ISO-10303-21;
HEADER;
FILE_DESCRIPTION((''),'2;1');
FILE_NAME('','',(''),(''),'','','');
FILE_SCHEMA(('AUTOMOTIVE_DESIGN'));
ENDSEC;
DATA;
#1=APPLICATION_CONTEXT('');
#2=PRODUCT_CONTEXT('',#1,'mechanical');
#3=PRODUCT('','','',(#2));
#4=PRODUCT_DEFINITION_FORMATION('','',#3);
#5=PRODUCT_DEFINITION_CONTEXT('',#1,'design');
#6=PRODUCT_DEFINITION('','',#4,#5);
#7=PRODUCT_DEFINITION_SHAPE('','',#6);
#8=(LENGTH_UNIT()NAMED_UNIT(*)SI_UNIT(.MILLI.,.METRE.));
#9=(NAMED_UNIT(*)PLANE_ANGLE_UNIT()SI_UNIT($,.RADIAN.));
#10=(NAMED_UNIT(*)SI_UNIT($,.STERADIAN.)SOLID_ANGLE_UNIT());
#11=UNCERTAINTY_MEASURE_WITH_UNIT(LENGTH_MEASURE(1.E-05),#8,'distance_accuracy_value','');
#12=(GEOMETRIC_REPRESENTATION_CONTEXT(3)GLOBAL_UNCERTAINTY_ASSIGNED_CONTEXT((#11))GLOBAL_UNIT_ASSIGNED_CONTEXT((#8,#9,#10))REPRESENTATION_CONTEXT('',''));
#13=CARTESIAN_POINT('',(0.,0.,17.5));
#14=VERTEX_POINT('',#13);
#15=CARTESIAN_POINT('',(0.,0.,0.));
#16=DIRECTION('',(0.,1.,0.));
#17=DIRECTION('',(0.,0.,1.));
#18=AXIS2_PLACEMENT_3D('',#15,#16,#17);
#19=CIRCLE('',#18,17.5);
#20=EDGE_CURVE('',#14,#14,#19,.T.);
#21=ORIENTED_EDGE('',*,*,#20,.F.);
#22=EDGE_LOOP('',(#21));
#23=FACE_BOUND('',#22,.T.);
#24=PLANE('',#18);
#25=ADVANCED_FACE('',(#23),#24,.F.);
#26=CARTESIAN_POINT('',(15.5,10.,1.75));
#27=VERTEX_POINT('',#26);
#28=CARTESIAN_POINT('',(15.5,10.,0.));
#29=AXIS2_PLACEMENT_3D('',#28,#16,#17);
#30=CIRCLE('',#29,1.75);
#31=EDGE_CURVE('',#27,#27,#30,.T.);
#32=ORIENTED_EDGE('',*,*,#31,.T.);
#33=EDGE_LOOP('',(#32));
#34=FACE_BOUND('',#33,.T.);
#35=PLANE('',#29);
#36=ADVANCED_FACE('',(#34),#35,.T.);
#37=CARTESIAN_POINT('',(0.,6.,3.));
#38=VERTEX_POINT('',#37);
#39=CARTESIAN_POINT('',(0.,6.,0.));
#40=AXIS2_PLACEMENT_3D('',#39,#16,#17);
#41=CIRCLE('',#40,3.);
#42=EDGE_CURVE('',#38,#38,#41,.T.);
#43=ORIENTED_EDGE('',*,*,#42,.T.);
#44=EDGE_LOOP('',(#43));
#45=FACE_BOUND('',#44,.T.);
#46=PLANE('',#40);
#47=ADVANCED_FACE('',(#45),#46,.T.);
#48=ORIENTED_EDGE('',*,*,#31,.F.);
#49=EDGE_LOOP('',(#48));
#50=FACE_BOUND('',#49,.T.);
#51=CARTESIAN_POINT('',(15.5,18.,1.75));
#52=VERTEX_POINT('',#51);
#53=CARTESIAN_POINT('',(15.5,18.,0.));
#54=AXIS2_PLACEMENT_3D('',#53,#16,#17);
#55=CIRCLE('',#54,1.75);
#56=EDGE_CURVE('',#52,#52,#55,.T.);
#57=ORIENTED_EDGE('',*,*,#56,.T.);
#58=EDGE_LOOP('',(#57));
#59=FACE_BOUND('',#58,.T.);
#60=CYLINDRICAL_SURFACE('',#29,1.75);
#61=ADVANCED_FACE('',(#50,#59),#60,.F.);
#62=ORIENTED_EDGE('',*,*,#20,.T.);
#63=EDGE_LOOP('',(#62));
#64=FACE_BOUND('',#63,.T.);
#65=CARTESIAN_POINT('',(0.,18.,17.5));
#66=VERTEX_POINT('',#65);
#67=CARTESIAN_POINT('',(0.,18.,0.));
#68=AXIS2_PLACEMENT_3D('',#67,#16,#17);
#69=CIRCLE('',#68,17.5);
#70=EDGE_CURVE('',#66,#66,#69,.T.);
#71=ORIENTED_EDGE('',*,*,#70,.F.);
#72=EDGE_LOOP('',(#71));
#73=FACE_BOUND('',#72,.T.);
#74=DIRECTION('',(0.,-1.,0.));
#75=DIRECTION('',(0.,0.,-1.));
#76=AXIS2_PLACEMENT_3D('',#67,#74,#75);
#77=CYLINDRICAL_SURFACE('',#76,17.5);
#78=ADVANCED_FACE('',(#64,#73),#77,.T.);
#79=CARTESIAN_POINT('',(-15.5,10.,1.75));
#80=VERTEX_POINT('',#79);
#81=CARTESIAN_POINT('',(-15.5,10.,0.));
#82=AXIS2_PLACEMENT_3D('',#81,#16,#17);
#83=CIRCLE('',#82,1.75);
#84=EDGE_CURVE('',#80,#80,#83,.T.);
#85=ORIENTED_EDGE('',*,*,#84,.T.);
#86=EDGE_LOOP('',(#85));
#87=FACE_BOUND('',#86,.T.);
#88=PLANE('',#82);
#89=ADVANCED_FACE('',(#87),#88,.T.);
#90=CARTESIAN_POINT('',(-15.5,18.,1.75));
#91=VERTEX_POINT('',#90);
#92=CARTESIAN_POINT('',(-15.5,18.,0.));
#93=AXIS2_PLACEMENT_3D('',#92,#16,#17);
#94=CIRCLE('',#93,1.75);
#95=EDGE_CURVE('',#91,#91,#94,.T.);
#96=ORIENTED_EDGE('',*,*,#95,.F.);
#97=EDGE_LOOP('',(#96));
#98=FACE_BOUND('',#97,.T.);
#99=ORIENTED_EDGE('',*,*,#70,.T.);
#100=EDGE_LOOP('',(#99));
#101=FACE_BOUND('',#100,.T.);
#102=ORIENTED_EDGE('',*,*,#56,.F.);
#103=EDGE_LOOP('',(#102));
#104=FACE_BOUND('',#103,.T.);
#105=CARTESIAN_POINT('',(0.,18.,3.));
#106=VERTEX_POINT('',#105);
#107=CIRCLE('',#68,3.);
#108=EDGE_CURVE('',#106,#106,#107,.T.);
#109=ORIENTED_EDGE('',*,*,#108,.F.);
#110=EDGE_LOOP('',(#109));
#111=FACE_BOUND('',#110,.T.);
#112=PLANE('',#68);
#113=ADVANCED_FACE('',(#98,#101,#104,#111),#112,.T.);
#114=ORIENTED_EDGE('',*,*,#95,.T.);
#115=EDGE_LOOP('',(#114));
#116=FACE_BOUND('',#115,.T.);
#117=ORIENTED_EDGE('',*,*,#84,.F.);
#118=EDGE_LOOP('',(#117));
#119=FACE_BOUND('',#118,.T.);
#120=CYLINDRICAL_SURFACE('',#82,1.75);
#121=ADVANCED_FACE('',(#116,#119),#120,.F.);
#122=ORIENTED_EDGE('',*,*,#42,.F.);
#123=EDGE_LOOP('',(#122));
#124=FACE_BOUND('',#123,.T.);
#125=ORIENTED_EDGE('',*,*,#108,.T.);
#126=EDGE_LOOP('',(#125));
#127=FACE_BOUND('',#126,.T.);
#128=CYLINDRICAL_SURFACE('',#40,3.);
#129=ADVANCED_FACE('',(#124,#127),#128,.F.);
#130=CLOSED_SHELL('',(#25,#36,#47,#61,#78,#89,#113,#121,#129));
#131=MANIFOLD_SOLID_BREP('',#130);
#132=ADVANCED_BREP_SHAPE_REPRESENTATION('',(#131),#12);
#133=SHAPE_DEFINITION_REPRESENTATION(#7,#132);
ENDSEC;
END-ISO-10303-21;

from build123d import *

# Parameters (mm, degrees)
SKETCH_1_R          = 17.5
EXTRUDE_1_DEPTH     = 18
SKETCH_2_R          = 3
CUT_EXTRUDE_1_DEPTH = 12
SKETCH_3_R          = 1.75
CUT_EXTRUDE_2_DEPTH = 8


with BuildPart() as part:
    # 草图1 → 凸台-拉伸1 (new body)
    with BuildSketch(Plane(origin=(0, 0, 0), x_dir=(1, 0, 0), z_dir=(0, 1, 0))):
        with Locations(Location((0, 0, 0), (0, 0, 270))):
            Circle(SKETCH_1_R)
    extrude(amount=EXTRUDE_1_DEPTH)

    # 草图2 → 切除-拉伸1 (cut)
    with BuildSketch(Plane(origin=(0, 18, 0), x_dir=(1, 0, 0), z_dir=(0, 1, 0))):
        with Locations(Location((0, 0, 0), (0, 0, 270))):
            Circle(SKETCH_2_R)
    extrude(amount=-CUT_EXTRUDE_1_DEPTH, mode=Mode.SUBTRACT)

    # 草图3 → 切除-拉伸2 (cut)
    with BuildSketch(Plane(origin=(0, 18, 0), x_dir=(1, 0, 0), z_dir=(0, 1, 0))):
        with Locations(Location((15.5, 0, 0), (0, 0, 270))):
            Circle(SKETCH_3_R)
        with Locations(Location((-15.5, 0, 0), (0, 0, 270))):
            Circle(SKETCH_3_R)
    extrude(amount=-CUT_EXTRUDE_2_DEPTH, mode=Mode.SUBTRACT)


solid = part.part
